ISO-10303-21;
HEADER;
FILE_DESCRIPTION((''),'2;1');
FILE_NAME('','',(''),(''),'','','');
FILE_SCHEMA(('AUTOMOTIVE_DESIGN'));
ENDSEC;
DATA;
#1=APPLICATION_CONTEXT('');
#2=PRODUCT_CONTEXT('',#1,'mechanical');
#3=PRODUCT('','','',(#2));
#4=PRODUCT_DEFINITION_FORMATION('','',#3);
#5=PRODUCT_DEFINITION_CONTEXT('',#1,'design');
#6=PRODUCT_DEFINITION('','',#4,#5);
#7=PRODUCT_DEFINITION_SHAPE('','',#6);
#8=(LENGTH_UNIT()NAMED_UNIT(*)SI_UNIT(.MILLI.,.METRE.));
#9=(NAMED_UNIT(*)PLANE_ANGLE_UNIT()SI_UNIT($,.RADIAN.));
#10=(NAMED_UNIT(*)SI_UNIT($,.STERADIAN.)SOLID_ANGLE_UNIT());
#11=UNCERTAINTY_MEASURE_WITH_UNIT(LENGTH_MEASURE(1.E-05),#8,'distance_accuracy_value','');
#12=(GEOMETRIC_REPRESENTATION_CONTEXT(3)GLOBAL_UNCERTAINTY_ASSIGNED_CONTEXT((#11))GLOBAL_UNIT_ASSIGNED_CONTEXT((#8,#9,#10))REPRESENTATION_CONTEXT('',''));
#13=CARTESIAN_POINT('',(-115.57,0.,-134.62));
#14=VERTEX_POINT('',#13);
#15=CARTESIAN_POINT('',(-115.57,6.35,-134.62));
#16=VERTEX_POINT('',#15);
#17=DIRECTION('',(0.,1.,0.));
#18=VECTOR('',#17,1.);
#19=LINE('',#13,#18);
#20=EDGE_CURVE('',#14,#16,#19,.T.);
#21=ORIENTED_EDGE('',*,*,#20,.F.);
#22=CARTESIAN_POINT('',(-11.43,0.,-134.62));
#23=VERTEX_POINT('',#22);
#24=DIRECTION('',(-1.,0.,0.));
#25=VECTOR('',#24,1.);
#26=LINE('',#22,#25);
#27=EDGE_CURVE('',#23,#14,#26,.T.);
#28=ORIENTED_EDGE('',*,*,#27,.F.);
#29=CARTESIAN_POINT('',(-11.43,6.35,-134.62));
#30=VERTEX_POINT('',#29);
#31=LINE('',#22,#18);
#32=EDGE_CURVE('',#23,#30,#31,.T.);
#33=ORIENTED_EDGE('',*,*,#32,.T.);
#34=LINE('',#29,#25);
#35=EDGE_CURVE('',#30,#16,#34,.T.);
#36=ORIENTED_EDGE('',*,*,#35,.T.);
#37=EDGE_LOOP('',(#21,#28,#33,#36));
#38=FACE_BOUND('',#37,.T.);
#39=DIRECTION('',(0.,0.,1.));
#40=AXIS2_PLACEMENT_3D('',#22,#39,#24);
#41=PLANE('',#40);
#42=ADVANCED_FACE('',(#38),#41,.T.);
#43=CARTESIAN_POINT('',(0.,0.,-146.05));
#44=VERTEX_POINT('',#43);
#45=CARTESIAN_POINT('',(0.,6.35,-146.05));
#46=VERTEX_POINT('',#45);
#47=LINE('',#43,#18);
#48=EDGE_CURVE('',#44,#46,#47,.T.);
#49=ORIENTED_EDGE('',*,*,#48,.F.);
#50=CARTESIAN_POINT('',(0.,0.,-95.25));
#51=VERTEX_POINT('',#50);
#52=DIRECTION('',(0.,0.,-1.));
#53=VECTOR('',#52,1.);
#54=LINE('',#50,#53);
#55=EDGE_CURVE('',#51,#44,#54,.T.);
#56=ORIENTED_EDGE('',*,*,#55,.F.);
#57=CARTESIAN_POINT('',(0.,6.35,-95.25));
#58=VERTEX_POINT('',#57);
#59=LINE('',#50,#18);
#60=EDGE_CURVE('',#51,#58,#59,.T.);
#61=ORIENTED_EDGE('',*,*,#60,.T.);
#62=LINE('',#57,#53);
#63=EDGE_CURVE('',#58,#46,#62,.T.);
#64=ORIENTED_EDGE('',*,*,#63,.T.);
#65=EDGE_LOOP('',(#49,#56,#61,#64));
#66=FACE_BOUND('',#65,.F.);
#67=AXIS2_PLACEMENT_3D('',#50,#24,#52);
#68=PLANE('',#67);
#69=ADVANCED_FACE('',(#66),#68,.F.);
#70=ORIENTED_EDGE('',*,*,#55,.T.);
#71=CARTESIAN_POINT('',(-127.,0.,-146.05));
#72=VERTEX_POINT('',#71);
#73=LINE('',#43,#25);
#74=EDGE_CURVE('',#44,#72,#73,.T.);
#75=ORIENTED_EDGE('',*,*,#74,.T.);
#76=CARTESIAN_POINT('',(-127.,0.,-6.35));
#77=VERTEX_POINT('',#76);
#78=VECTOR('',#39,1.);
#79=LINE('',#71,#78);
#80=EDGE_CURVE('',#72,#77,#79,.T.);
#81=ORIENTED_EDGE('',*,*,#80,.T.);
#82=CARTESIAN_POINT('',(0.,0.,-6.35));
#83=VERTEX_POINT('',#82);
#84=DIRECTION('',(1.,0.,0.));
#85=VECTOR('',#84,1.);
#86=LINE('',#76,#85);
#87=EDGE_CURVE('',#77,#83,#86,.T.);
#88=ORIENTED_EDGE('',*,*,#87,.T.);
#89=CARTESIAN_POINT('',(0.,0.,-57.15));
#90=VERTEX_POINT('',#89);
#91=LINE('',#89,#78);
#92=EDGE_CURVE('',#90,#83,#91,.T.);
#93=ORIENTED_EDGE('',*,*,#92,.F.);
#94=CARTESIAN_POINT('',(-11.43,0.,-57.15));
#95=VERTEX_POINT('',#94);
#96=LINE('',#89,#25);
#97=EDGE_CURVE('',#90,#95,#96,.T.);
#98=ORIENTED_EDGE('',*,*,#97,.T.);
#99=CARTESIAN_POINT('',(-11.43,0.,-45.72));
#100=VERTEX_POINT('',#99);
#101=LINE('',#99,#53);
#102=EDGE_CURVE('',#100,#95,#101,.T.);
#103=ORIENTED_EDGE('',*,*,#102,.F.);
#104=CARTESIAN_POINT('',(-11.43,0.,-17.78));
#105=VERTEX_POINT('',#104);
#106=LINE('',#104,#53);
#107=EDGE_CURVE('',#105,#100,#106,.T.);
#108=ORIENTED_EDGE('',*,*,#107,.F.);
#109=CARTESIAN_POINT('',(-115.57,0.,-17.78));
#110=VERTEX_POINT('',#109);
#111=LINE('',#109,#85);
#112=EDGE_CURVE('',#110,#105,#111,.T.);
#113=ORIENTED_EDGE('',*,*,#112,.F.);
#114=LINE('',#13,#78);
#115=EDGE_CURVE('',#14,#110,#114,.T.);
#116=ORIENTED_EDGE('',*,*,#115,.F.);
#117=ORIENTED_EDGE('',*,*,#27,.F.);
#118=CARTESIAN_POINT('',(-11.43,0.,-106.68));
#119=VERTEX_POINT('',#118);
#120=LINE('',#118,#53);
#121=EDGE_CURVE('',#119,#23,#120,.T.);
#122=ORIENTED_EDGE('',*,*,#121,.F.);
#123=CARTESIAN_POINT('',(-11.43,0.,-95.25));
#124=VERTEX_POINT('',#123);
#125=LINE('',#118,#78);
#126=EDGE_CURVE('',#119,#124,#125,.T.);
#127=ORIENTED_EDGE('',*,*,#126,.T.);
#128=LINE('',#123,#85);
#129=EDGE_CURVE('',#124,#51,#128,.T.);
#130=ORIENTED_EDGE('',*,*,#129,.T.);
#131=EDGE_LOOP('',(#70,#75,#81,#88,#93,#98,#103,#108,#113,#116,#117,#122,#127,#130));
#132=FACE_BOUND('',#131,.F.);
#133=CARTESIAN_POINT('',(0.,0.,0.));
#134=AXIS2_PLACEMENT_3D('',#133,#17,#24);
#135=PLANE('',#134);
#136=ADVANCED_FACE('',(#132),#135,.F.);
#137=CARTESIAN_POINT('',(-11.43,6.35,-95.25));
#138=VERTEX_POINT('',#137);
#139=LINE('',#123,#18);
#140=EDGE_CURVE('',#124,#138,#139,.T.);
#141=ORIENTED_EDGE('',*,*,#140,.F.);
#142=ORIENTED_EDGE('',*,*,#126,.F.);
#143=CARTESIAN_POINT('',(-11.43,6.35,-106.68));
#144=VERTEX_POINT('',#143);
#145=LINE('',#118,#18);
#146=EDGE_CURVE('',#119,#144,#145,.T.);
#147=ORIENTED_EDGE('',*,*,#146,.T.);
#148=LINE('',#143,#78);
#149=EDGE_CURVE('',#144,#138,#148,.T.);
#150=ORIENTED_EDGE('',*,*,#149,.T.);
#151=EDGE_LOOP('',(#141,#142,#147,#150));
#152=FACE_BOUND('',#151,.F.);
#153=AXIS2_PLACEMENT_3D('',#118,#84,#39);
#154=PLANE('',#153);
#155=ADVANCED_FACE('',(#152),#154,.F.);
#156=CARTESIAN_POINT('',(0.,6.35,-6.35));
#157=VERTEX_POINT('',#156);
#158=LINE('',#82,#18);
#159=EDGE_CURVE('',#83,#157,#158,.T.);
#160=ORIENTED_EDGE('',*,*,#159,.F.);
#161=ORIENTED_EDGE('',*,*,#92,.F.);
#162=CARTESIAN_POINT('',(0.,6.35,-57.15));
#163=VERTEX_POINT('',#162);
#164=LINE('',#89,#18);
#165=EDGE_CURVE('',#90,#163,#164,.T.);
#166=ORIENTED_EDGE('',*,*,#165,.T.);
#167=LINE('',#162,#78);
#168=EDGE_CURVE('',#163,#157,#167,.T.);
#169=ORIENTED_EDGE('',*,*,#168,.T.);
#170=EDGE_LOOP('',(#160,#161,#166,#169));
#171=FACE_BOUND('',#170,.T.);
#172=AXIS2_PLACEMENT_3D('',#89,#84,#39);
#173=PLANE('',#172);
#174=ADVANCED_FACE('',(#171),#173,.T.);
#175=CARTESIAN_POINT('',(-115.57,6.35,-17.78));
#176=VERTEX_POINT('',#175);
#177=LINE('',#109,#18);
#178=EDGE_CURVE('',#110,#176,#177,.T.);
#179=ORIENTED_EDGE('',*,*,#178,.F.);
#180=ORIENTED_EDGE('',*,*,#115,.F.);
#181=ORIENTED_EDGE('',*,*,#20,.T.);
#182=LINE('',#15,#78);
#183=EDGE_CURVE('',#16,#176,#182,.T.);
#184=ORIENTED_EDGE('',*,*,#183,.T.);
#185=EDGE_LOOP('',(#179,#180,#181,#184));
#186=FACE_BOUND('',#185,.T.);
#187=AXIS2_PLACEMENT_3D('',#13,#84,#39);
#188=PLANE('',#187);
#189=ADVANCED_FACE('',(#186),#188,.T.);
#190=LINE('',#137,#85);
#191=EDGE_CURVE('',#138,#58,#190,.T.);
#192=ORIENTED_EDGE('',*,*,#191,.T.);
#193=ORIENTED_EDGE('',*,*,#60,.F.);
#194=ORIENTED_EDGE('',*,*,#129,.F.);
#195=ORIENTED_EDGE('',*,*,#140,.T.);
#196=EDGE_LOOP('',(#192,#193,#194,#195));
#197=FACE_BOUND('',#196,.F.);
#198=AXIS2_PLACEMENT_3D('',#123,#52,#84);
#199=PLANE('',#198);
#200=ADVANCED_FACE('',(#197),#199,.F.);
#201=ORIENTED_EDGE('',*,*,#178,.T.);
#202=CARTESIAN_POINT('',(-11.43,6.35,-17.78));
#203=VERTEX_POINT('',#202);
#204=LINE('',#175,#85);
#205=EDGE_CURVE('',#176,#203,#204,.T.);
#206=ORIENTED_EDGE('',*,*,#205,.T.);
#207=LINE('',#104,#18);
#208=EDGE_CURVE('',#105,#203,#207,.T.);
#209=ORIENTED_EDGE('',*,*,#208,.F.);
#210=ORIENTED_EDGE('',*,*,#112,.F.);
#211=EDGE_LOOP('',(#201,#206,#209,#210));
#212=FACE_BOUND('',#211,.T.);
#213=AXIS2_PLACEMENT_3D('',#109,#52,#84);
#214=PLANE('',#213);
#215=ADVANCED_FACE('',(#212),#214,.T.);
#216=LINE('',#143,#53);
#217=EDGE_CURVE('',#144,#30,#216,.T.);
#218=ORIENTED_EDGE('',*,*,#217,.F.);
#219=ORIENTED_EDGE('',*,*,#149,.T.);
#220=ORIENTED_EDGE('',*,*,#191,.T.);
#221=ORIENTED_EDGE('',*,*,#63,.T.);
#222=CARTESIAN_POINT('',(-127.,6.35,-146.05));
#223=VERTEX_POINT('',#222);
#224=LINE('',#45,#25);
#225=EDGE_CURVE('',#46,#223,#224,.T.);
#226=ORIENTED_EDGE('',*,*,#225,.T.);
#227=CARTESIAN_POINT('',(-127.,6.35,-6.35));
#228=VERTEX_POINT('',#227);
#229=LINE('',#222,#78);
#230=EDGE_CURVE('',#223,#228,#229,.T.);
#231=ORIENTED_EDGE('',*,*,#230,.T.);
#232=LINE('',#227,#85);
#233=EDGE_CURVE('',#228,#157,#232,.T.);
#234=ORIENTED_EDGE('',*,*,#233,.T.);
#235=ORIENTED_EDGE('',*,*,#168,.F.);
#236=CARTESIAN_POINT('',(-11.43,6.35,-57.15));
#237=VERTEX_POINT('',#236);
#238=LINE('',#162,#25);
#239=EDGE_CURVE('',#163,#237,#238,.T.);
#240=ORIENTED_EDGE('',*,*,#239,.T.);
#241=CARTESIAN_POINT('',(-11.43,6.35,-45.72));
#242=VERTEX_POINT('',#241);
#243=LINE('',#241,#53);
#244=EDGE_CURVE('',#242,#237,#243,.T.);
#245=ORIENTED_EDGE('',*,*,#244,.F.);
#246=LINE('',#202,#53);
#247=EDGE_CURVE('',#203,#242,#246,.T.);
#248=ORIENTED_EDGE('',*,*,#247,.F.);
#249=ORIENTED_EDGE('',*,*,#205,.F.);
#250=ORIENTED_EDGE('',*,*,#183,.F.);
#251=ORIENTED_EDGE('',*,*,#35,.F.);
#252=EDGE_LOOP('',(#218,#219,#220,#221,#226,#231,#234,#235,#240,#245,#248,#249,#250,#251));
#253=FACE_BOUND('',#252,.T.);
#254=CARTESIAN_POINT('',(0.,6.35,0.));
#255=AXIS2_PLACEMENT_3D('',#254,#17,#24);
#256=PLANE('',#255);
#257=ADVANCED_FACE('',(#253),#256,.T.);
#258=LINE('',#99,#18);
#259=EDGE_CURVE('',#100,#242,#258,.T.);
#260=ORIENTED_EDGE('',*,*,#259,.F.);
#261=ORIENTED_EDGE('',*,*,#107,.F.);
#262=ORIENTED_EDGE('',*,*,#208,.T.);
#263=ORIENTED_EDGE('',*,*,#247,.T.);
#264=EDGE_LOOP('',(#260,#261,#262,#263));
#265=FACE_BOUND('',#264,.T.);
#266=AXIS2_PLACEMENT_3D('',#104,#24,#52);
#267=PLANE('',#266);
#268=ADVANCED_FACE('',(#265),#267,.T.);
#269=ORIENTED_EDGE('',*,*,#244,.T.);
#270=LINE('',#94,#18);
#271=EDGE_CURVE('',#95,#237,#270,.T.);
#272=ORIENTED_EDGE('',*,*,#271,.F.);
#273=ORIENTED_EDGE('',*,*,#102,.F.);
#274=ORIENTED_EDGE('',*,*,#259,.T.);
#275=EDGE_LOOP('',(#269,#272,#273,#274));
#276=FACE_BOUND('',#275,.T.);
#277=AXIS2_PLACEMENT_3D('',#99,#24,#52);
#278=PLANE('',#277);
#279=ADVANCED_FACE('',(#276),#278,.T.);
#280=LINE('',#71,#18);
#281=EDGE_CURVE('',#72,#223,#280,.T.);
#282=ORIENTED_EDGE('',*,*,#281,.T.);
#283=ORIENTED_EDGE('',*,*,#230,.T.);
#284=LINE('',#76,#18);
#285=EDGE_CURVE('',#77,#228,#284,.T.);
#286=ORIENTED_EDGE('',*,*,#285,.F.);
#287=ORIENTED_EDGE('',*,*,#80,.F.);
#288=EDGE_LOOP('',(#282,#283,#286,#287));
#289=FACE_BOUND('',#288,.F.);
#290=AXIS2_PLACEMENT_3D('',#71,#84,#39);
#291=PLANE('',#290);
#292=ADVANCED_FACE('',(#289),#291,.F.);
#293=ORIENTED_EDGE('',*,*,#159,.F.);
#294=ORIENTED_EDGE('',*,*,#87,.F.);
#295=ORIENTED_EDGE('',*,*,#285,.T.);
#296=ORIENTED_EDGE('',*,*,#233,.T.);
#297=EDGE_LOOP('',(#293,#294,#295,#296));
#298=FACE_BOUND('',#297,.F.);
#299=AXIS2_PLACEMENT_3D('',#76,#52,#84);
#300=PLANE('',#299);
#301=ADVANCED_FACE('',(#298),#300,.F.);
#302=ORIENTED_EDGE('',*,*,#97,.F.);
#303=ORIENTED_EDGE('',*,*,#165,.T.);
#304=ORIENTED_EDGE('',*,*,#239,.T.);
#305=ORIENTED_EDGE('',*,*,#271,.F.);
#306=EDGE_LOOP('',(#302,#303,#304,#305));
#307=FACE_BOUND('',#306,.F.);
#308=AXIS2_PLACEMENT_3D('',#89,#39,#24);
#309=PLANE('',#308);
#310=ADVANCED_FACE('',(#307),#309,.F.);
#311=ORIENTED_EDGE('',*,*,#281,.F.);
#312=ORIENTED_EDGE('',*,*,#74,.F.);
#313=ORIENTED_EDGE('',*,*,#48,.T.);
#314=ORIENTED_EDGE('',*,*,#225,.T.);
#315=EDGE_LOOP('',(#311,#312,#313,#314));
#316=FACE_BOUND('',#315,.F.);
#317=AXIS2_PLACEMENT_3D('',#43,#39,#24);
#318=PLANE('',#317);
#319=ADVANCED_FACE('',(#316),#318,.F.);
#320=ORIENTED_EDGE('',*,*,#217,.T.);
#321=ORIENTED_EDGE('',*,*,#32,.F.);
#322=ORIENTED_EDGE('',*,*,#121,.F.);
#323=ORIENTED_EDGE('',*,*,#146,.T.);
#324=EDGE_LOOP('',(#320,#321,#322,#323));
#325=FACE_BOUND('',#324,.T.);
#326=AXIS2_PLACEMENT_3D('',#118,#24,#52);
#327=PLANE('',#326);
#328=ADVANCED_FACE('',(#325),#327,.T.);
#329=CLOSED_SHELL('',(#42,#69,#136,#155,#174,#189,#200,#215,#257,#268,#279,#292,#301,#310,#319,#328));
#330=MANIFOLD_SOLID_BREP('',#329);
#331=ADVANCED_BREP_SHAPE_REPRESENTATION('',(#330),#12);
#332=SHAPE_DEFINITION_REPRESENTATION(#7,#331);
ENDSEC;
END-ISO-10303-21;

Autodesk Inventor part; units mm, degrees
ref_plane "YZ Plane" through (0, 0, 0) normal (1, 0, 0) x (0, 1, 0)
ref_plane "XZ Plane" through (0, 0, 0) normal (0, 1, 0) x (-1, 0, 0)
ref_plane "XY Plane" through (0, 0, 0) normal (0, 0, 1) x (1, 0, 0)
sketch "Sketch1" plane through (0, 0, 0) normal (0, 1, 0) x (-1, 0, 0)
  line L0 (0, -57.15) -> (11.43, -57.15)
  line L1 (11.43, -95.25) -> (0, -95.25)
  line L2 (0, -57.15) -> (0, -6.35)
  line L3 (0, -95.25) -> (0, -146.05)
  line L4 (0, -146.05) -> (127, -146.05)
  line L5 (127, -146.05) -> (127, -6.35)
  line L6 (127, -6.35) -> (0, -6.35)
  line L7 (11.43, -17.78) -> (11.43, -45.72)
  line L8 (11.43, -106.68) -> (11.43, -134.62)
  line L9 (11.43, -134.62) -> (115.57, -134.62)
  line L10 (115.57, -134.62) -> (115.57, -17.78)
  line L11 (115.57, -17.78) -> (11.43, -17.78)
  line L12 (11.43, -45.72) -> (11.43, -57.15)
  line L13 (11.43, -106.68) -> (11.43, -95.25)
  point P0 (0, 0)
  dimension "d4" = 50.8
  dimension "d5" = 50.8
  dimension "d6" = 127
  dimension "d7" = 11.43
extrude "Extrusion1" add sketch "Sketch1" along normal blind 6.35
properties part number "Front_chasis"
